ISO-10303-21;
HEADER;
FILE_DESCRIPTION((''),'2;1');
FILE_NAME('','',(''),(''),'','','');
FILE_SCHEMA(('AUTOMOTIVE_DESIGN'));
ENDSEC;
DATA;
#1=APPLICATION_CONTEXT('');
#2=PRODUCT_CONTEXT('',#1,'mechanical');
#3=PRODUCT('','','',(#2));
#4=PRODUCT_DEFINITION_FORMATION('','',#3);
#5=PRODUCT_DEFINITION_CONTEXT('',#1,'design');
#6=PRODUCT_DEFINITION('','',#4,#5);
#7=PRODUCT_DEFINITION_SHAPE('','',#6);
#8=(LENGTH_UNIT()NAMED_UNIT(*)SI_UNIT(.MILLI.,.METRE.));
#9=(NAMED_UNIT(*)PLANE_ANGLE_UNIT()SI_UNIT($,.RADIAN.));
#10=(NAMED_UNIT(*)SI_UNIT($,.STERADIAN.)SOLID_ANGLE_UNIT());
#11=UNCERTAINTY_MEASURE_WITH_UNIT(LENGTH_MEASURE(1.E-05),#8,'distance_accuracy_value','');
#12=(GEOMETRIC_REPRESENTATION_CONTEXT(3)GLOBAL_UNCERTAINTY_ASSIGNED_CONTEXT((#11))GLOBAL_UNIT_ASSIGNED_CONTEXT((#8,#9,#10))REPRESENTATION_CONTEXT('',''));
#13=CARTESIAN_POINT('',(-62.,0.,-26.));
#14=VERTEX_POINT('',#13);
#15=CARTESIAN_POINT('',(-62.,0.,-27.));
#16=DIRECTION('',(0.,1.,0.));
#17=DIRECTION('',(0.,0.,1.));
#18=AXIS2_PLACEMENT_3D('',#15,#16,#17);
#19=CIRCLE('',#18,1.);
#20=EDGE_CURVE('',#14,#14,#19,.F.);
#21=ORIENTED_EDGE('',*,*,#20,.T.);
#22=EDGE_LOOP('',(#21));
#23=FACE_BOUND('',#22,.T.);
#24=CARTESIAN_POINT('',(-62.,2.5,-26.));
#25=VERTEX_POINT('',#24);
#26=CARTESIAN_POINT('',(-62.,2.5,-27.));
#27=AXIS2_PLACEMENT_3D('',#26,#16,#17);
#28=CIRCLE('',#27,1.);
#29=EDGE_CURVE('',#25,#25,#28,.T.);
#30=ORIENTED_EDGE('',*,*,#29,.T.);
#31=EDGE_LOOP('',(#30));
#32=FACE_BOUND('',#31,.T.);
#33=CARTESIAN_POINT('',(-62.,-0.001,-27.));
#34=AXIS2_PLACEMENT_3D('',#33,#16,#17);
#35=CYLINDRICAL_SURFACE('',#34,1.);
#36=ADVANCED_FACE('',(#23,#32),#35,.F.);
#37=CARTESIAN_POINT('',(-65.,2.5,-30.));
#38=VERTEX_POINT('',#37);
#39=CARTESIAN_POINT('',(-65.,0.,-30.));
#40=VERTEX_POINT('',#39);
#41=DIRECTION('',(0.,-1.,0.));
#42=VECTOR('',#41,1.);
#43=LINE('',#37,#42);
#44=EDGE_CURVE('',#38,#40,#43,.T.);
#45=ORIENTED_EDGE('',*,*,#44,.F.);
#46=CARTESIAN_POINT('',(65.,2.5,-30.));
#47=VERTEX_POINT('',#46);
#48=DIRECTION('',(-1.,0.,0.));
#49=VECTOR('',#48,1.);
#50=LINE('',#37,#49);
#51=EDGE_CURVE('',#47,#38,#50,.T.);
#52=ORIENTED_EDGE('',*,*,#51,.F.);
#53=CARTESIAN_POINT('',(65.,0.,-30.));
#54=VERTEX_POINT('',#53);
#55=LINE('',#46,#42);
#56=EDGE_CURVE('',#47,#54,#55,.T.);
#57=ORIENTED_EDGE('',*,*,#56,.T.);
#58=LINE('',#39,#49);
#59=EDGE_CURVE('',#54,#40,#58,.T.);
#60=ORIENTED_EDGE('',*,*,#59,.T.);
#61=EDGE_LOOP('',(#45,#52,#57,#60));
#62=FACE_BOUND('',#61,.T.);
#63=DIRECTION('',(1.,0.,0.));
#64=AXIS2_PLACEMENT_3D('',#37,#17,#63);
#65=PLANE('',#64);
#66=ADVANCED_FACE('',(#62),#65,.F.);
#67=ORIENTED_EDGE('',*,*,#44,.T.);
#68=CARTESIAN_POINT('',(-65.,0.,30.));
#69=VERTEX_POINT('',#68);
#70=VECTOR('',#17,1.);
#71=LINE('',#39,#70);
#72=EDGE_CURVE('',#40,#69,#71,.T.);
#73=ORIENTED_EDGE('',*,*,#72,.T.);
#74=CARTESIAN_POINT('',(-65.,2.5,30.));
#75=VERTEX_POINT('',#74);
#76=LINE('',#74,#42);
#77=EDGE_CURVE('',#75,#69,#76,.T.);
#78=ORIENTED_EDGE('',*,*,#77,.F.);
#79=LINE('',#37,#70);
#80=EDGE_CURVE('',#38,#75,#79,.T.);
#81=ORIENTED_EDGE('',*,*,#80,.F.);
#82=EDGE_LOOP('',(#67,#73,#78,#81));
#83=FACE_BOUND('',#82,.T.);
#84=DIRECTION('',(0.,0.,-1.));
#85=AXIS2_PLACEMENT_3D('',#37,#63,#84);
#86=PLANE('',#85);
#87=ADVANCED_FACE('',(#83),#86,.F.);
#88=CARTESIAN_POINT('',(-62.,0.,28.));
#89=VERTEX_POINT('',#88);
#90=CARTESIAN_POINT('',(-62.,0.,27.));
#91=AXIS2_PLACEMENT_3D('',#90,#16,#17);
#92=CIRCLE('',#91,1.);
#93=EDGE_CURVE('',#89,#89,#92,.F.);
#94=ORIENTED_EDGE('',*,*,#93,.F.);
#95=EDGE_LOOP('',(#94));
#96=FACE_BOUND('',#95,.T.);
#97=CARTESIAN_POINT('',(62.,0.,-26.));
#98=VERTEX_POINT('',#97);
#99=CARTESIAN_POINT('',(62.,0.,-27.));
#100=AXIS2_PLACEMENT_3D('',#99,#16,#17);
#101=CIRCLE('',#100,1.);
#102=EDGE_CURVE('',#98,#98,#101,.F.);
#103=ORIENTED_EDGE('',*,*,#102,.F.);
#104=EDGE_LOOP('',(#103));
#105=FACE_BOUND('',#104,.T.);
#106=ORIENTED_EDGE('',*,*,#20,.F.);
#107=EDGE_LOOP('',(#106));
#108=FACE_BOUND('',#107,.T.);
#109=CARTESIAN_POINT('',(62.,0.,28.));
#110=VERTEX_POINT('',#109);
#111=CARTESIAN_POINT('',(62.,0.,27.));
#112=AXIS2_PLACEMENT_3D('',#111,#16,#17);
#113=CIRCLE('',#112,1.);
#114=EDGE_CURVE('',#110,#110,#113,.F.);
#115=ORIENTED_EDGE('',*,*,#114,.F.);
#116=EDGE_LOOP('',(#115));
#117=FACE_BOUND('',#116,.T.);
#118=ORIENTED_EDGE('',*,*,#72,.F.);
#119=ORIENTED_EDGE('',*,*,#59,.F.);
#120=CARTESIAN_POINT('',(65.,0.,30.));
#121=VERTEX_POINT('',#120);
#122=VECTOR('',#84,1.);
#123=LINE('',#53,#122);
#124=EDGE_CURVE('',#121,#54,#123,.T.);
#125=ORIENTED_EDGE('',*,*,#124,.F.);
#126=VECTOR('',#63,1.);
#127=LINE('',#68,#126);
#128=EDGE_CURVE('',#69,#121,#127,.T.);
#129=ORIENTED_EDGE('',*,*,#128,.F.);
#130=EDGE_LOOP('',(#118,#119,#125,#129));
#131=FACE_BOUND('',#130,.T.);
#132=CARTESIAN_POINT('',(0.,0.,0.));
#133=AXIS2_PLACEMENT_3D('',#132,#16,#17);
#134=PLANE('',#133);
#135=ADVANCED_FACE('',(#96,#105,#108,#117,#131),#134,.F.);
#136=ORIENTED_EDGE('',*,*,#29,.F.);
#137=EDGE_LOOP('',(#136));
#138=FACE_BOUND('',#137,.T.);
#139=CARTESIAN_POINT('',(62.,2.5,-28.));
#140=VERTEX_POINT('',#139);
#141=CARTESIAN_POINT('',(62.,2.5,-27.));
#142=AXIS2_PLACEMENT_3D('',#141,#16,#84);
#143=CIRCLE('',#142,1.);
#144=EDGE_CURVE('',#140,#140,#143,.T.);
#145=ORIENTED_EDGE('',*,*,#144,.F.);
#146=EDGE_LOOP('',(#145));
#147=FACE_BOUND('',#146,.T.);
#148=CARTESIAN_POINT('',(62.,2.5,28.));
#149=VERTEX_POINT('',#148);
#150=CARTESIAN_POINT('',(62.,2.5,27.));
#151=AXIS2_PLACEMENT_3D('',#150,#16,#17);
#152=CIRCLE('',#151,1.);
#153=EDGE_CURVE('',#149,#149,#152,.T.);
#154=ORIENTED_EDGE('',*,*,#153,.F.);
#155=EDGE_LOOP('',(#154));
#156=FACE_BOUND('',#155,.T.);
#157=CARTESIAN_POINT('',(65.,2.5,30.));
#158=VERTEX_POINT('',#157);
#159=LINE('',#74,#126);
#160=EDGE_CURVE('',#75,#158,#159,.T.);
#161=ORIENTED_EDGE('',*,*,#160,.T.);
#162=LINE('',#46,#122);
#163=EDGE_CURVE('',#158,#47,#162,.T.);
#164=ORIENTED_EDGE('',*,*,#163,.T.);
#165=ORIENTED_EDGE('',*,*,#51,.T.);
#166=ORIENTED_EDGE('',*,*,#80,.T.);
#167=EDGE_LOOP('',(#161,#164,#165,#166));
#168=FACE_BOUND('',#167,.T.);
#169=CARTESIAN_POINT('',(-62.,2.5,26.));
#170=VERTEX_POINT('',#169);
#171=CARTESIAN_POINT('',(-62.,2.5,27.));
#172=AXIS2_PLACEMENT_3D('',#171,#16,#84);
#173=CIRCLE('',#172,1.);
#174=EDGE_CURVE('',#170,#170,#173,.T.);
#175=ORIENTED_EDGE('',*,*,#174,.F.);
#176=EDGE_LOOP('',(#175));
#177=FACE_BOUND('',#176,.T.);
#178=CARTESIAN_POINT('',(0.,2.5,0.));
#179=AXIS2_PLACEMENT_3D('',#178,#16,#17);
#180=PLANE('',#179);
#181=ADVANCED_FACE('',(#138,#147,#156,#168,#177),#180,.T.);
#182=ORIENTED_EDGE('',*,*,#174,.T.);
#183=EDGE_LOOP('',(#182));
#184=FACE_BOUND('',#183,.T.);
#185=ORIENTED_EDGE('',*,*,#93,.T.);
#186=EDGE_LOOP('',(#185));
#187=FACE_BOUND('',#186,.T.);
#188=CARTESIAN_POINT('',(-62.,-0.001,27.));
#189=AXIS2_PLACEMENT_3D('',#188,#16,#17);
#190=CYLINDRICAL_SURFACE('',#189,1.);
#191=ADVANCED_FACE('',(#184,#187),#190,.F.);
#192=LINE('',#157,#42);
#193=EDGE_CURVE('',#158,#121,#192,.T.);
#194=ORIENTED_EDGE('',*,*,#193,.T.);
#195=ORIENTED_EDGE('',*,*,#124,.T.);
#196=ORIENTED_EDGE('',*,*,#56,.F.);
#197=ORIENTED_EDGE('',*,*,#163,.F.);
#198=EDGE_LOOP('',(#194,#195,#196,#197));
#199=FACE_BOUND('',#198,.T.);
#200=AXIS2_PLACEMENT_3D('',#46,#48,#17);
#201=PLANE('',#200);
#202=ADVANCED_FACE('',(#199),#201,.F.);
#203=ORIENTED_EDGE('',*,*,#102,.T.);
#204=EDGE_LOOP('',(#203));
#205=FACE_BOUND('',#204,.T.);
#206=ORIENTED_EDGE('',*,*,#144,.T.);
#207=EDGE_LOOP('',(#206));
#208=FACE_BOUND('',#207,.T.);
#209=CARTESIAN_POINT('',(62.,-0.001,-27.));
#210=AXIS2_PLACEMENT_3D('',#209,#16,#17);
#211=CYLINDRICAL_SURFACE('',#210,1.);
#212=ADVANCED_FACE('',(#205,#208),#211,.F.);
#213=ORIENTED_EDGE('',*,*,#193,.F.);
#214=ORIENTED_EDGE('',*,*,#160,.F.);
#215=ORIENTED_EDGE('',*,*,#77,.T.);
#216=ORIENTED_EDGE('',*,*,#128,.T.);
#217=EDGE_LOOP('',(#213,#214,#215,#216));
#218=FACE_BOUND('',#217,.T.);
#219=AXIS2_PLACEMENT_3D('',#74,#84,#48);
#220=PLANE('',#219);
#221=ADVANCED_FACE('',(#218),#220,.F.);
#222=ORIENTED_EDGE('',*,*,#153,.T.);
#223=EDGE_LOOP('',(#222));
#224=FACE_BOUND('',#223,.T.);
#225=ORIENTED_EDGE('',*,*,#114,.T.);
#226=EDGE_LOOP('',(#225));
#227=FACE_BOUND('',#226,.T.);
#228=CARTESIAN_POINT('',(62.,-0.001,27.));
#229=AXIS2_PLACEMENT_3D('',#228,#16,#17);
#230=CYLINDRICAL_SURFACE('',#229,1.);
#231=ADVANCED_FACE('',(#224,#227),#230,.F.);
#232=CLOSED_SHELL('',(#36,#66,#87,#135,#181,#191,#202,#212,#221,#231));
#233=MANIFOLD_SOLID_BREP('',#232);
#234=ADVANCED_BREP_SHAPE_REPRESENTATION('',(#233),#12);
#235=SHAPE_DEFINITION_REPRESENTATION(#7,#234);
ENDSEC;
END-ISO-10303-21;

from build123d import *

# Parameters (mm, degrees)
SKETCH3_W           = 130
SKETCH3_H           = 60
BOSS_EXTRUDE1_DEPTH = 2.5
CUT_EXTRUDE1_REACH  = 4.5
SKETCH4_R           = 1


with BuildPart() as part:
    # Sketch3 → Boss-Extrude1 (new body)
    with BuildSketch(Plane(origin=(0, 0, 0), x_dir=(1, 0, 0), z_dir=(0, 1, 0))):
        Rectangle(SKETCH3_W, SKETCH3_H)
    extrude(amount=BOSS_EXTRUDE1_DEPTH)

    # Sketch4 → Cut-Extrude1 (cut, up to next)
    with BuildSketch(Plane(origin=(0, 2.5, 0), x_dir=(1, 0, 0), z_dir=(0, 1, 0)), mode=Mode.PRIVATE) as cut_extrude1_sk1:
        with Locations((-62, 27)):
            Circle(SKETCH4_R)
    cut_extrude1_tool1 = extrude(cut_extrude1_sk1.sketch, amount=-CUT_EXTRUDE1_REACH, mode=Mode.PRIVATE) & part.part
    add(cut_extrude1_tool1.solids().sort_by_distance((-62, 2.5, -27))[0], mode=Mode.SUBTRACT)
    # Sketch4 → Cut-Extrude1 (cut, up to next)
    with BuildSketch(Plane(origin=(0, 2.5, 0), x_dir=(1, 0, 0), z_dir=(0, 1, 0)), mode=Mode.PRIVATE) as cut_extrude1_sk2:
        with Locations((62, 27)):
            Circle(SKETCH4_R)
    cut_extrude1_tool2 = extrude(cut_extrude1_sk2.sketch, amount=-CUT_EXTRUDE1_REACH, mode=Mode.PRIVATE) & part.part
    add(cut_extrude1_tool2.solids().sort_by_distance((62, 2.5, -27))[0], mode=Mode.SUBTRACT)
    # Sketch4 → Cut-Extrude1 (cut, up to next)
    with BuildSketch(Plane(origin=(0, 2.5, 0), x_dir=(1, 0, 0), z_dir=(0, 1, 0)), mode=Mode.PRIVATE) as cut_extrude1_sk3:
        with Locations((62, -27)):
            Circle(SKETCH4_R)
    cut_extrude1_tool3 = extrude(cut_extrude1_sk3.sketch, amount=-CUT_EXTRUDE1_REACH, mode=Mode.PRIVATE) & part.part
    add(cut_extrude1_tool3.solids().sort_by_distance((62, 2.5, 27))[0], mode=Mode.SUBTRACT)
    # Sketch4 → Cut-Extrude1 (cut, up to next)
    with BuildSketch(Plane(origin=(0, 2.5, 0), x_dir=(1, 0, 0), z_dir=(0, 1, 0)), mode=Mode.PRIVATE) as cut_extrude1_sk4:
        with Locations((-62, -27)):
            Circle(SKETCH4_R)
    cut_extrude1_tool4 = extrude(cut_extrude1_sk4.sketch, amount=-CUT_EXTRUDE1_REACH, mode=Mode.PRIVATE) & part.part
    add(cut_extrude1_tool4.solids().sort_by_distance((-62, 2.5, 27))[0], mode=Mode.SUBTRACT)


solid = part.part
